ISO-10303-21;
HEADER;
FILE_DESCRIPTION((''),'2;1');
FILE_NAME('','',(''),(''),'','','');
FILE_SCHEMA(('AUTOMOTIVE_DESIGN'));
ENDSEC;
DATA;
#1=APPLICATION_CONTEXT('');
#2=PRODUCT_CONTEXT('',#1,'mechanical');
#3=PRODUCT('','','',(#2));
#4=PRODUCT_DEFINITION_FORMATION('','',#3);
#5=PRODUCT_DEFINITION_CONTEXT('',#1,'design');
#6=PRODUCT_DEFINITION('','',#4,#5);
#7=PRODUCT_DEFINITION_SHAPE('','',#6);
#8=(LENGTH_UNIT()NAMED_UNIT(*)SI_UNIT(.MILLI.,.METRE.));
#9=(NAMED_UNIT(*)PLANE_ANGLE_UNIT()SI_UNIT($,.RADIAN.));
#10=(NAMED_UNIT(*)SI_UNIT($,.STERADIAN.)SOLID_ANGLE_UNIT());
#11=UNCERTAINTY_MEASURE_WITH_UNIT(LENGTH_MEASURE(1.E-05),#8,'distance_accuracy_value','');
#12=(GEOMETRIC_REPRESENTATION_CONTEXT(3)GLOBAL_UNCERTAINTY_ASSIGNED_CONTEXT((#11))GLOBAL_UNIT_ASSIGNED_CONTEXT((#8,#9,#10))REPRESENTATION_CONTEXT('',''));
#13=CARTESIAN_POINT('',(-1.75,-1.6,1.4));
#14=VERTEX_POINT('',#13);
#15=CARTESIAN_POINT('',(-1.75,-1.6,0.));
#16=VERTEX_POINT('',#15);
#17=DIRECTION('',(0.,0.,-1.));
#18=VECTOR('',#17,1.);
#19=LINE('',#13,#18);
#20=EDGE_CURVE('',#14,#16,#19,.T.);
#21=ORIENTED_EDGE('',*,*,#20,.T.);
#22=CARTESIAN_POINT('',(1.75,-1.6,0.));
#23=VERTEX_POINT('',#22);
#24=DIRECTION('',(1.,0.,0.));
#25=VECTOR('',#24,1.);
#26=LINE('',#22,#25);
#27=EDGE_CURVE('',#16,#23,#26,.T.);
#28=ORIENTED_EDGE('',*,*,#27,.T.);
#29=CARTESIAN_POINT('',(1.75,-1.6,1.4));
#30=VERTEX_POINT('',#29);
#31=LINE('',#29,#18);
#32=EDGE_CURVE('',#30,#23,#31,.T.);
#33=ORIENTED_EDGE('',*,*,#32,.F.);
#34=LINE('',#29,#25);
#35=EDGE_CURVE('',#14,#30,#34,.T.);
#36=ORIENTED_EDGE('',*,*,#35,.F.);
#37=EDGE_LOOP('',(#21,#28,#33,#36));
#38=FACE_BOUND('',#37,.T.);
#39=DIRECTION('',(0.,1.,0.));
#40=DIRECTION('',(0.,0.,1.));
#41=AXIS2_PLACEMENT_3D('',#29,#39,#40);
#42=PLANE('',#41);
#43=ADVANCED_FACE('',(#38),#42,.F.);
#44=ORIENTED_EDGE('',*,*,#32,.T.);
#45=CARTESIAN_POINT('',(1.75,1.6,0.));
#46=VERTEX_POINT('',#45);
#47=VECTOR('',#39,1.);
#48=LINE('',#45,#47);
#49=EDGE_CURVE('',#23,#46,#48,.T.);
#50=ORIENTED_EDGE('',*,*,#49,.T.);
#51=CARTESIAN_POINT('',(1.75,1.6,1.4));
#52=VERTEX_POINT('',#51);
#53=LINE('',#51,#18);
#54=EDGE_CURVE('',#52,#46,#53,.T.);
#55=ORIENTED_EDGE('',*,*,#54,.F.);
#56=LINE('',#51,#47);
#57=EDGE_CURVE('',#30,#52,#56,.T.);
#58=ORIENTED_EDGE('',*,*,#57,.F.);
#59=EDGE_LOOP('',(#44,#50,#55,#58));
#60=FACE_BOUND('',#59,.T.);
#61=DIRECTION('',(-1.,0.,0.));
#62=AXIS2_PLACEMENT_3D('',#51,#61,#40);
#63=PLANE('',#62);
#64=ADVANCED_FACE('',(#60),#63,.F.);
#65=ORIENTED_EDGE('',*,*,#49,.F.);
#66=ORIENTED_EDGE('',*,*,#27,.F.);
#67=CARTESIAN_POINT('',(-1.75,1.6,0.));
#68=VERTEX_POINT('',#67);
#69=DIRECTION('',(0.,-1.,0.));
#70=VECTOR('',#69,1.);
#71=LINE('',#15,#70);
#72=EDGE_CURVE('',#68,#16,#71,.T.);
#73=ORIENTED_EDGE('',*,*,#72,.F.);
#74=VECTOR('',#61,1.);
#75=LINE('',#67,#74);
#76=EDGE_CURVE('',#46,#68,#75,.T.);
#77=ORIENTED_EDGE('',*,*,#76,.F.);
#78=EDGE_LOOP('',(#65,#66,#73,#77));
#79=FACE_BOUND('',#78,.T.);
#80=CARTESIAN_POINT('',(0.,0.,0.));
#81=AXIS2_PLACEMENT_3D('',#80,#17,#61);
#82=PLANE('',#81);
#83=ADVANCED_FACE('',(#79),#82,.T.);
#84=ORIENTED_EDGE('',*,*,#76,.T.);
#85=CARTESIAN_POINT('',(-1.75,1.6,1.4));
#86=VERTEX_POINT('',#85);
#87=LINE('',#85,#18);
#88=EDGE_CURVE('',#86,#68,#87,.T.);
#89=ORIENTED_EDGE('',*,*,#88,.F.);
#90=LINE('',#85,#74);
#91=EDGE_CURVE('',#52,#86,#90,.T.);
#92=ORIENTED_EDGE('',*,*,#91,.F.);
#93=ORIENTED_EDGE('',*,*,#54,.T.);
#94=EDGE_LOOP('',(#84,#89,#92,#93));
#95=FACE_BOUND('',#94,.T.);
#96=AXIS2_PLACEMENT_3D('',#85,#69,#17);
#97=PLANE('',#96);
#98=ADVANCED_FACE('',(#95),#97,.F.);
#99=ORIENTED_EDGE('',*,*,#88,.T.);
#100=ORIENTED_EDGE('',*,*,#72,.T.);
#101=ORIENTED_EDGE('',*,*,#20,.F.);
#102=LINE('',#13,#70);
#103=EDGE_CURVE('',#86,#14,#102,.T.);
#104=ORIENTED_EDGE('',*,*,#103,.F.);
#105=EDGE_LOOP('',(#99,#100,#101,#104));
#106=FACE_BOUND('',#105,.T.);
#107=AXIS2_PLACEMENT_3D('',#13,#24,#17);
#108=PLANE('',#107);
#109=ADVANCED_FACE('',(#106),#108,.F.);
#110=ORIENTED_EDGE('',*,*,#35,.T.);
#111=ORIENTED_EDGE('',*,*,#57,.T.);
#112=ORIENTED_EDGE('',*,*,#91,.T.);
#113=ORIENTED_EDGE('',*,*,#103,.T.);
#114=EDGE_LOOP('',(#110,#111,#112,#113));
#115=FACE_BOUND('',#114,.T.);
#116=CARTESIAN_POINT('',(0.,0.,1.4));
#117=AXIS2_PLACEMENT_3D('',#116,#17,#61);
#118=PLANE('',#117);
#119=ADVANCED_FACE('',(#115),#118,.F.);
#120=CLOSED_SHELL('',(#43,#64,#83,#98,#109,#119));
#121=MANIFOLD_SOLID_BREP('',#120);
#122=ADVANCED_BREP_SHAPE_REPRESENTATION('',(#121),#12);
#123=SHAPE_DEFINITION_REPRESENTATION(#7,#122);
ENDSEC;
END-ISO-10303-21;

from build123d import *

# Parameters (mm, degrees)
SKETCH_1_W              = 3.5
SKETCH_1_H              = 3.2
COMPONENT_OUTLINE_DEPTH = 1.4


with BuildPart() as part:
    # 草图1 → Component_Outline (new body)
    with BuildSketch(Plane.XY):
        Rectangle(SKETCH_1_W, SKETCH_1_H)
    extrude(amount=COMPONENT_OUTLINE_DEPTH)


solid = part.part
